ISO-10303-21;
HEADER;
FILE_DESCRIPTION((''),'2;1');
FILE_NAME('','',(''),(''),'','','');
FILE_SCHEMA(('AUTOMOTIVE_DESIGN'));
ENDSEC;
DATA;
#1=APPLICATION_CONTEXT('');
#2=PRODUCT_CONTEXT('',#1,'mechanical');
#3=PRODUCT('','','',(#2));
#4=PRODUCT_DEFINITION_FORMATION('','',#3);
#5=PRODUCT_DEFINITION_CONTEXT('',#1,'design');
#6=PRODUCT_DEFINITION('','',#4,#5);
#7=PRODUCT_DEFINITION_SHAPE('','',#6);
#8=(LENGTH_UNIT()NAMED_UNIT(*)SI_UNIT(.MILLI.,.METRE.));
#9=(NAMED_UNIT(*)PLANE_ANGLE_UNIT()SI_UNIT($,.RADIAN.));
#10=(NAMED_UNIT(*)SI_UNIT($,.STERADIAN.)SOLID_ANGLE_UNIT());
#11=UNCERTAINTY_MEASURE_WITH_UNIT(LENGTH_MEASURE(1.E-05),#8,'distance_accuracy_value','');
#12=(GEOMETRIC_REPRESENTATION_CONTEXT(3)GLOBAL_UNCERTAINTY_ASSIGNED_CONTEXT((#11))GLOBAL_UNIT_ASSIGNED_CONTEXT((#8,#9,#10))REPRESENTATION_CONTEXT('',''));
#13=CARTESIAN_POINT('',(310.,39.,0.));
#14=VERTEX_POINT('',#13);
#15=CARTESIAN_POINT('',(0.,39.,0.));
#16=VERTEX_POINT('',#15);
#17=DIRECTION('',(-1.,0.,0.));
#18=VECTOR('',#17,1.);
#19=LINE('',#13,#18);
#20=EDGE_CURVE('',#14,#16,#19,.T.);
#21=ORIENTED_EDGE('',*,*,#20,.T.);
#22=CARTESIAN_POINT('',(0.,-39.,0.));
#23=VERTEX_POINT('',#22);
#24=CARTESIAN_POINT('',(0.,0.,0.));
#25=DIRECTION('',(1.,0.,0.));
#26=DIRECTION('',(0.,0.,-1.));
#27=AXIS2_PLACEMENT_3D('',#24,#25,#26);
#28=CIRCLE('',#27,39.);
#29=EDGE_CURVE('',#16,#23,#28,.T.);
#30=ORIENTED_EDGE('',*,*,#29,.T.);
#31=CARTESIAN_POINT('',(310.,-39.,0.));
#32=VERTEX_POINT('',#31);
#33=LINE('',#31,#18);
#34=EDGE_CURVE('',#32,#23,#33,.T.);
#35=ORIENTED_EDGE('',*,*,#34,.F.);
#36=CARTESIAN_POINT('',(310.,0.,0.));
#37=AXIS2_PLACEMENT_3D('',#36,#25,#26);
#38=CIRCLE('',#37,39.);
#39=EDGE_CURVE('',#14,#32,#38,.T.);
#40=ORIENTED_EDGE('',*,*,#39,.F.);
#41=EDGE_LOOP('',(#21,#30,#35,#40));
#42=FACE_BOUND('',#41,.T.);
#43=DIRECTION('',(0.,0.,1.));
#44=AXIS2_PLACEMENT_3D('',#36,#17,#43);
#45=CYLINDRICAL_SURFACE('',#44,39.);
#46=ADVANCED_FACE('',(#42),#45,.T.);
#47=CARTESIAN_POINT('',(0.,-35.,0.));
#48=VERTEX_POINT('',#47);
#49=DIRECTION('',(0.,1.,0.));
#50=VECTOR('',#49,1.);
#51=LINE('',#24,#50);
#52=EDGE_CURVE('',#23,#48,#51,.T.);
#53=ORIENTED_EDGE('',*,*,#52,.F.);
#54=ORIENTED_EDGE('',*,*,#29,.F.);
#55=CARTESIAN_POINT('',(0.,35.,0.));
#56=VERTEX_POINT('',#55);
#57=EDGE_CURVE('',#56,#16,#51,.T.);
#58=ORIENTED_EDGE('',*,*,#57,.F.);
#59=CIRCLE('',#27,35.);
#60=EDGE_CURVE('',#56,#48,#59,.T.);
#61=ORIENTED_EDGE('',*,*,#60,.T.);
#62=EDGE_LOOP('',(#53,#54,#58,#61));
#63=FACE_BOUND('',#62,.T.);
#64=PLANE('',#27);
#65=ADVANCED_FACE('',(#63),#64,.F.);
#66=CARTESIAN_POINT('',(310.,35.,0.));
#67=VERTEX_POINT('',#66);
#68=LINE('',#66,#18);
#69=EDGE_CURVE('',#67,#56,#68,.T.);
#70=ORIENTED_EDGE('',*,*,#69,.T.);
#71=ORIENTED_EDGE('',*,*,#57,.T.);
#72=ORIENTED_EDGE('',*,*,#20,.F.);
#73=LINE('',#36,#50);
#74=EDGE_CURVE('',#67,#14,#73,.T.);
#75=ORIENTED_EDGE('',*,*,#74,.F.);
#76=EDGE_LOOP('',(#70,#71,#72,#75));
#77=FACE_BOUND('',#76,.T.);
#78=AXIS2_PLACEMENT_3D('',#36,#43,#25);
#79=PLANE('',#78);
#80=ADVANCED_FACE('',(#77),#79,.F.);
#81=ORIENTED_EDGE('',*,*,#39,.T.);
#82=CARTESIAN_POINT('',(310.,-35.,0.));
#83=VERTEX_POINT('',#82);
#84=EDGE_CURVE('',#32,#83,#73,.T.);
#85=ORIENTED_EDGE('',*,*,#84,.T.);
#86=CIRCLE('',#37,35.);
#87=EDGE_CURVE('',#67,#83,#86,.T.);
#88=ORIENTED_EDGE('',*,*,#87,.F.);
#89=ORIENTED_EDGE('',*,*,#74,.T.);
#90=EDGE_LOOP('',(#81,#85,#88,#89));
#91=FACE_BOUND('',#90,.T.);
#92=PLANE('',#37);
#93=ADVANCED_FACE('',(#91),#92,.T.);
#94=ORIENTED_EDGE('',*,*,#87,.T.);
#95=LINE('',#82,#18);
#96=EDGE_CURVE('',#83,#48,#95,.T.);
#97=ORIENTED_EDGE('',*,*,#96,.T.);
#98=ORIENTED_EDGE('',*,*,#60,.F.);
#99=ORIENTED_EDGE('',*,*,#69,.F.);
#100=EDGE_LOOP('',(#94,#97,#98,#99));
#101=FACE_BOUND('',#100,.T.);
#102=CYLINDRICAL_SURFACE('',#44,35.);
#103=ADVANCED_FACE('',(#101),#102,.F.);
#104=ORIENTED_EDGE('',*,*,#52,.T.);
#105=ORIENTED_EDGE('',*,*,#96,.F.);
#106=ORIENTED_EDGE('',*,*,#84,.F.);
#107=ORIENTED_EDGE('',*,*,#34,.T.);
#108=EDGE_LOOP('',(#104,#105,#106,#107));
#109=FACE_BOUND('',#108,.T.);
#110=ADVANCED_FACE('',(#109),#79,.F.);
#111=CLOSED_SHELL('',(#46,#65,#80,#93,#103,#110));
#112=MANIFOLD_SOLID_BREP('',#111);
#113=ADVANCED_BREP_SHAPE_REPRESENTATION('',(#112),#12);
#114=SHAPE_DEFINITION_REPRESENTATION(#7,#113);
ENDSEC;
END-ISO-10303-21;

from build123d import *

# Parameters (mm, degrees)
BOSS_EXTRUDE1_DEPTH = 310


with BuildPart() as part:
    # Sketch1 → Boss-Extrude1 (new body)
    with BuildSketch(Plane(origin=(0, 0, 0), x_dir=(0, 0, -1), z_dir=(1, 0, 0))):
        with BuildLine():
            ThreePointArc((0, -35), (-35, 0), (0, 35))
            Line((0, 35), (0, 39))
            ThreePointArc((0, 39), (-39, 0), (0, -39))
            Line((0, -39), (0, -35))
        make_face()
    extrude(amount=BOSS_EXTRUDE1_DEPTH)


solid = part.part
